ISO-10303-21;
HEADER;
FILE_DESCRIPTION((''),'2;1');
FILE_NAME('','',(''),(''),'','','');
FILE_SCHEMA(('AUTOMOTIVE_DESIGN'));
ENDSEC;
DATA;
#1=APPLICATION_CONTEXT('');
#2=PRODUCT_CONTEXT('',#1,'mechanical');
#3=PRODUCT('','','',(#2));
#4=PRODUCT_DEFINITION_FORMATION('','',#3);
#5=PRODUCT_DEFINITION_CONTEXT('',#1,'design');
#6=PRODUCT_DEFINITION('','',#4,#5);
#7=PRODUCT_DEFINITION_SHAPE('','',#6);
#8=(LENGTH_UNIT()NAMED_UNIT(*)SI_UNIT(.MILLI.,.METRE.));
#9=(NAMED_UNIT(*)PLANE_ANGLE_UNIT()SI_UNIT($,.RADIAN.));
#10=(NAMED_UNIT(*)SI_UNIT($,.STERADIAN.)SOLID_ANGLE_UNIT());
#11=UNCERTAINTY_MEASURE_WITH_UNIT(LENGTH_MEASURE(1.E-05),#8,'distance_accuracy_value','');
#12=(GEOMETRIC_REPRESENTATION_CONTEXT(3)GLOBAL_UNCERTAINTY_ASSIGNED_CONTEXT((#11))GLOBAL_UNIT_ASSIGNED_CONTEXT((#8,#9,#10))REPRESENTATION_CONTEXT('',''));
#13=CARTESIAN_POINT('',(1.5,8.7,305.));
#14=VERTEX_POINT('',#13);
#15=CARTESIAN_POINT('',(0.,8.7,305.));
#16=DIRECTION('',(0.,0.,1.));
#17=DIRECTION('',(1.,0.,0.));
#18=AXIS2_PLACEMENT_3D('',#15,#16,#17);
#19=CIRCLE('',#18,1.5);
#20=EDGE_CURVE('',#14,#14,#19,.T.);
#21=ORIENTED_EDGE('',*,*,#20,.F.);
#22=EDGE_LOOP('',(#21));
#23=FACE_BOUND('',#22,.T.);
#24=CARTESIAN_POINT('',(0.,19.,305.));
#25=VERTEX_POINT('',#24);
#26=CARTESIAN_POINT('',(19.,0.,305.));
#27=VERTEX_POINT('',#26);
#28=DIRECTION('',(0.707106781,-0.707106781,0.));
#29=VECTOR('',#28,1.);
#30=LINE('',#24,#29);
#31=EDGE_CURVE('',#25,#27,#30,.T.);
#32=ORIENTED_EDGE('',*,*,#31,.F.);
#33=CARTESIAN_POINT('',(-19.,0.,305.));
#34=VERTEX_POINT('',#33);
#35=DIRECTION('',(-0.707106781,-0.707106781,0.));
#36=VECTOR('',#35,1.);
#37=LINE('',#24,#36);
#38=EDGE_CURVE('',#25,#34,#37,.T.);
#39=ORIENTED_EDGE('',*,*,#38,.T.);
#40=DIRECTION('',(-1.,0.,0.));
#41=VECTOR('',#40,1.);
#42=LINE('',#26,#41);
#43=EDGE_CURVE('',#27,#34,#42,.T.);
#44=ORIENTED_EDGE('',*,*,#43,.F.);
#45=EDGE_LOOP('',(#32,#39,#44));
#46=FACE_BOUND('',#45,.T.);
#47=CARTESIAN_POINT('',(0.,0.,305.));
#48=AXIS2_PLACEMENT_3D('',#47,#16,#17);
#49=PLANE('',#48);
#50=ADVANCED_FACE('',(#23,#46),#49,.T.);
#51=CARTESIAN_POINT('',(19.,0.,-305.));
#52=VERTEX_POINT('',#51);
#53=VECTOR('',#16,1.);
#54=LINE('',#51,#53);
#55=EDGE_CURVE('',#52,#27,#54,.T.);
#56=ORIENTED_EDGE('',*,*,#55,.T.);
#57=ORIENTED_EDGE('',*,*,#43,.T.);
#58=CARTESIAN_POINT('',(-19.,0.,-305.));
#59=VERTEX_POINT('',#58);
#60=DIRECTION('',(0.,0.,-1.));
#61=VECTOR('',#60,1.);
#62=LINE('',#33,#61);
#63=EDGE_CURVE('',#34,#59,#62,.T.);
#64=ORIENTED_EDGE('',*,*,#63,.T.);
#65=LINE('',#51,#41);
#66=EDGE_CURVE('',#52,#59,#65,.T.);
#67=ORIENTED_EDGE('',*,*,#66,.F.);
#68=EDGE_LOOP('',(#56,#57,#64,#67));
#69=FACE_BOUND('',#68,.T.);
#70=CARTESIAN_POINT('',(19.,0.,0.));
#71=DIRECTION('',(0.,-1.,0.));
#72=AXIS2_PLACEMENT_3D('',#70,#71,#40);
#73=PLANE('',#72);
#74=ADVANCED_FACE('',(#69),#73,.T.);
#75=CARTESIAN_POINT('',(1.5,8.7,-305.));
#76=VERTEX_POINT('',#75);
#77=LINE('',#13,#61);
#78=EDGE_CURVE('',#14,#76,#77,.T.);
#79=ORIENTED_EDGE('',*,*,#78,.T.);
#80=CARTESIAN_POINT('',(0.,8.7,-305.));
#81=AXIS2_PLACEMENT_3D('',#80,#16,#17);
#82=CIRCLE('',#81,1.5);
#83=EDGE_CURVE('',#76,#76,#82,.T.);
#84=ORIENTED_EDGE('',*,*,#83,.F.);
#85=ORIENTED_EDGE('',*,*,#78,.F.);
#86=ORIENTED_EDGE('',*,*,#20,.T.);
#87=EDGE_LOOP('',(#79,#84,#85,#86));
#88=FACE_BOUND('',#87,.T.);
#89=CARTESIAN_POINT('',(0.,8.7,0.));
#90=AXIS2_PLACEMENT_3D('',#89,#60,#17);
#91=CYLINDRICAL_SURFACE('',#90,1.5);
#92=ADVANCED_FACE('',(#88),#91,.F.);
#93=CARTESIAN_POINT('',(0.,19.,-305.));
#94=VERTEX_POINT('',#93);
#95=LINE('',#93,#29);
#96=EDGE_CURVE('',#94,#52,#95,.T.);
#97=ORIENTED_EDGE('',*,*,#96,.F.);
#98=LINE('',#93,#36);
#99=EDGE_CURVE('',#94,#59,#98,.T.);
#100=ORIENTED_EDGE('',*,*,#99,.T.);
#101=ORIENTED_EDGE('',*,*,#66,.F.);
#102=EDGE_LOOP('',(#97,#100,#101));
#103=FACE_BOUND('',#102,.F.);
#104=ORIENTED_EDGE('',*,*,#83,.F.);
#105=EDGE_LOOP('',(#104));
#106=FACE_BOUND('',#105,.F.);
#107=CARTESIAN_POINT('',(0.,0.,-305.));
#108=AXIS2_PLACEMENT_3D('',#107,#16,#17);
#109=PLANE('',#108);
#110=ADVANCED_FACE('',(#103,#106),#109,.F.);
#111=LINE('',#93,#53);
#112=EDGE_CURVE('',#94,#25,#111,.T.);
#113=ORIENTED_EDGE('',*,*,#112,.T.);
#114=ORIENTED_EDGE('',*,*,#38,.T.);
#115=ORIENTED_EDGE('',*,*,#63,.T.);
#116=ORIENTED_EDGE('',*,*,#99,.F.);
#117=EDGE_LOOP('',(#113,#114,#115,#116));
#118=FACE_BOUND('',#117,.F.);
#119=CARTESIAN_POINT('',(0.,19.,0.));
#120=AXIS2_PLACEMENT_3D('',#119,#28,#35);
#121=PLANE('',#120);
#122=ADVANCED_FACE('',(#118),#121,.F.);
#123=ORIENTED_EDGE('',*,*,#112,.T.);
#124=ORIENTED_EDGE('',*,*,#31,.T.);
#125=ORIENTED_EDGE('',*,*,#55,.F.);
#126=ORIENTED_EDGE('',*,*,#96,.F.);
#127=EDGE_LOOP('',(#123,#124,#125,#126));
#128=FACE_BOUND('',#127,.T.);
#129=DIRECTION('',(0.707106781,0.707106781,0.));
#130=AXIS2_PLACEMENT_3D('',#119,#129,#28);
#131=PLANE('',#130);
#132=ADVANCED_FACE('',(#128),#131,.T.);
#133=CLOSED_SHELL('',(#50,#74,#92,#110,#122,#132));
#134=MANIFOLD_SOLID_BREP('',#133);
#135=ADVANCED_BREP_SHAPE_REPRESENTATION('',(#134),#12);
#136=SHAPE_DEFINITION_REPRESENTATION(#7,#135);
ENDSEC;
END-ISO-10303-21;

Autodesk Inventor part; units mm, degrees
ref_plane "YZ Plane" through (0, 0, 0) normal (1, 0, 0) x (0, 1, 0)
ref_plane "XZ Plane" through (0, 0, 0) normal (0, 1, 0) x (-1, 0, 0)
ref_plane "XY Plane" through (0, 0, 0) normal (0, 0, 1) x (1, 0, 0)
sketch "Sketch1" plane through (0, 0, 0) normal (0, 0, 1) x (1, 0, 0)
  line L0 (19, 0) -> (-19, 0)
  line L1 (0, 0) -> (0, 19) construction
  line L2 (0, 19) -> (-19, 0)
  line L3 (0, 19) -> (19, 0)
  circle A0 centre (0, 8.7) radius 1.5
  dimension "d0" = 38
  dimension "d1" = 19
  dimension "d2" = 3
  dimension "d3" = 8.7
extrude "centelladora triangular" add sketch "Sketch1" along normal mid plane 610
properties part number "Centelladora triangular" material "PMMA Plastic"
